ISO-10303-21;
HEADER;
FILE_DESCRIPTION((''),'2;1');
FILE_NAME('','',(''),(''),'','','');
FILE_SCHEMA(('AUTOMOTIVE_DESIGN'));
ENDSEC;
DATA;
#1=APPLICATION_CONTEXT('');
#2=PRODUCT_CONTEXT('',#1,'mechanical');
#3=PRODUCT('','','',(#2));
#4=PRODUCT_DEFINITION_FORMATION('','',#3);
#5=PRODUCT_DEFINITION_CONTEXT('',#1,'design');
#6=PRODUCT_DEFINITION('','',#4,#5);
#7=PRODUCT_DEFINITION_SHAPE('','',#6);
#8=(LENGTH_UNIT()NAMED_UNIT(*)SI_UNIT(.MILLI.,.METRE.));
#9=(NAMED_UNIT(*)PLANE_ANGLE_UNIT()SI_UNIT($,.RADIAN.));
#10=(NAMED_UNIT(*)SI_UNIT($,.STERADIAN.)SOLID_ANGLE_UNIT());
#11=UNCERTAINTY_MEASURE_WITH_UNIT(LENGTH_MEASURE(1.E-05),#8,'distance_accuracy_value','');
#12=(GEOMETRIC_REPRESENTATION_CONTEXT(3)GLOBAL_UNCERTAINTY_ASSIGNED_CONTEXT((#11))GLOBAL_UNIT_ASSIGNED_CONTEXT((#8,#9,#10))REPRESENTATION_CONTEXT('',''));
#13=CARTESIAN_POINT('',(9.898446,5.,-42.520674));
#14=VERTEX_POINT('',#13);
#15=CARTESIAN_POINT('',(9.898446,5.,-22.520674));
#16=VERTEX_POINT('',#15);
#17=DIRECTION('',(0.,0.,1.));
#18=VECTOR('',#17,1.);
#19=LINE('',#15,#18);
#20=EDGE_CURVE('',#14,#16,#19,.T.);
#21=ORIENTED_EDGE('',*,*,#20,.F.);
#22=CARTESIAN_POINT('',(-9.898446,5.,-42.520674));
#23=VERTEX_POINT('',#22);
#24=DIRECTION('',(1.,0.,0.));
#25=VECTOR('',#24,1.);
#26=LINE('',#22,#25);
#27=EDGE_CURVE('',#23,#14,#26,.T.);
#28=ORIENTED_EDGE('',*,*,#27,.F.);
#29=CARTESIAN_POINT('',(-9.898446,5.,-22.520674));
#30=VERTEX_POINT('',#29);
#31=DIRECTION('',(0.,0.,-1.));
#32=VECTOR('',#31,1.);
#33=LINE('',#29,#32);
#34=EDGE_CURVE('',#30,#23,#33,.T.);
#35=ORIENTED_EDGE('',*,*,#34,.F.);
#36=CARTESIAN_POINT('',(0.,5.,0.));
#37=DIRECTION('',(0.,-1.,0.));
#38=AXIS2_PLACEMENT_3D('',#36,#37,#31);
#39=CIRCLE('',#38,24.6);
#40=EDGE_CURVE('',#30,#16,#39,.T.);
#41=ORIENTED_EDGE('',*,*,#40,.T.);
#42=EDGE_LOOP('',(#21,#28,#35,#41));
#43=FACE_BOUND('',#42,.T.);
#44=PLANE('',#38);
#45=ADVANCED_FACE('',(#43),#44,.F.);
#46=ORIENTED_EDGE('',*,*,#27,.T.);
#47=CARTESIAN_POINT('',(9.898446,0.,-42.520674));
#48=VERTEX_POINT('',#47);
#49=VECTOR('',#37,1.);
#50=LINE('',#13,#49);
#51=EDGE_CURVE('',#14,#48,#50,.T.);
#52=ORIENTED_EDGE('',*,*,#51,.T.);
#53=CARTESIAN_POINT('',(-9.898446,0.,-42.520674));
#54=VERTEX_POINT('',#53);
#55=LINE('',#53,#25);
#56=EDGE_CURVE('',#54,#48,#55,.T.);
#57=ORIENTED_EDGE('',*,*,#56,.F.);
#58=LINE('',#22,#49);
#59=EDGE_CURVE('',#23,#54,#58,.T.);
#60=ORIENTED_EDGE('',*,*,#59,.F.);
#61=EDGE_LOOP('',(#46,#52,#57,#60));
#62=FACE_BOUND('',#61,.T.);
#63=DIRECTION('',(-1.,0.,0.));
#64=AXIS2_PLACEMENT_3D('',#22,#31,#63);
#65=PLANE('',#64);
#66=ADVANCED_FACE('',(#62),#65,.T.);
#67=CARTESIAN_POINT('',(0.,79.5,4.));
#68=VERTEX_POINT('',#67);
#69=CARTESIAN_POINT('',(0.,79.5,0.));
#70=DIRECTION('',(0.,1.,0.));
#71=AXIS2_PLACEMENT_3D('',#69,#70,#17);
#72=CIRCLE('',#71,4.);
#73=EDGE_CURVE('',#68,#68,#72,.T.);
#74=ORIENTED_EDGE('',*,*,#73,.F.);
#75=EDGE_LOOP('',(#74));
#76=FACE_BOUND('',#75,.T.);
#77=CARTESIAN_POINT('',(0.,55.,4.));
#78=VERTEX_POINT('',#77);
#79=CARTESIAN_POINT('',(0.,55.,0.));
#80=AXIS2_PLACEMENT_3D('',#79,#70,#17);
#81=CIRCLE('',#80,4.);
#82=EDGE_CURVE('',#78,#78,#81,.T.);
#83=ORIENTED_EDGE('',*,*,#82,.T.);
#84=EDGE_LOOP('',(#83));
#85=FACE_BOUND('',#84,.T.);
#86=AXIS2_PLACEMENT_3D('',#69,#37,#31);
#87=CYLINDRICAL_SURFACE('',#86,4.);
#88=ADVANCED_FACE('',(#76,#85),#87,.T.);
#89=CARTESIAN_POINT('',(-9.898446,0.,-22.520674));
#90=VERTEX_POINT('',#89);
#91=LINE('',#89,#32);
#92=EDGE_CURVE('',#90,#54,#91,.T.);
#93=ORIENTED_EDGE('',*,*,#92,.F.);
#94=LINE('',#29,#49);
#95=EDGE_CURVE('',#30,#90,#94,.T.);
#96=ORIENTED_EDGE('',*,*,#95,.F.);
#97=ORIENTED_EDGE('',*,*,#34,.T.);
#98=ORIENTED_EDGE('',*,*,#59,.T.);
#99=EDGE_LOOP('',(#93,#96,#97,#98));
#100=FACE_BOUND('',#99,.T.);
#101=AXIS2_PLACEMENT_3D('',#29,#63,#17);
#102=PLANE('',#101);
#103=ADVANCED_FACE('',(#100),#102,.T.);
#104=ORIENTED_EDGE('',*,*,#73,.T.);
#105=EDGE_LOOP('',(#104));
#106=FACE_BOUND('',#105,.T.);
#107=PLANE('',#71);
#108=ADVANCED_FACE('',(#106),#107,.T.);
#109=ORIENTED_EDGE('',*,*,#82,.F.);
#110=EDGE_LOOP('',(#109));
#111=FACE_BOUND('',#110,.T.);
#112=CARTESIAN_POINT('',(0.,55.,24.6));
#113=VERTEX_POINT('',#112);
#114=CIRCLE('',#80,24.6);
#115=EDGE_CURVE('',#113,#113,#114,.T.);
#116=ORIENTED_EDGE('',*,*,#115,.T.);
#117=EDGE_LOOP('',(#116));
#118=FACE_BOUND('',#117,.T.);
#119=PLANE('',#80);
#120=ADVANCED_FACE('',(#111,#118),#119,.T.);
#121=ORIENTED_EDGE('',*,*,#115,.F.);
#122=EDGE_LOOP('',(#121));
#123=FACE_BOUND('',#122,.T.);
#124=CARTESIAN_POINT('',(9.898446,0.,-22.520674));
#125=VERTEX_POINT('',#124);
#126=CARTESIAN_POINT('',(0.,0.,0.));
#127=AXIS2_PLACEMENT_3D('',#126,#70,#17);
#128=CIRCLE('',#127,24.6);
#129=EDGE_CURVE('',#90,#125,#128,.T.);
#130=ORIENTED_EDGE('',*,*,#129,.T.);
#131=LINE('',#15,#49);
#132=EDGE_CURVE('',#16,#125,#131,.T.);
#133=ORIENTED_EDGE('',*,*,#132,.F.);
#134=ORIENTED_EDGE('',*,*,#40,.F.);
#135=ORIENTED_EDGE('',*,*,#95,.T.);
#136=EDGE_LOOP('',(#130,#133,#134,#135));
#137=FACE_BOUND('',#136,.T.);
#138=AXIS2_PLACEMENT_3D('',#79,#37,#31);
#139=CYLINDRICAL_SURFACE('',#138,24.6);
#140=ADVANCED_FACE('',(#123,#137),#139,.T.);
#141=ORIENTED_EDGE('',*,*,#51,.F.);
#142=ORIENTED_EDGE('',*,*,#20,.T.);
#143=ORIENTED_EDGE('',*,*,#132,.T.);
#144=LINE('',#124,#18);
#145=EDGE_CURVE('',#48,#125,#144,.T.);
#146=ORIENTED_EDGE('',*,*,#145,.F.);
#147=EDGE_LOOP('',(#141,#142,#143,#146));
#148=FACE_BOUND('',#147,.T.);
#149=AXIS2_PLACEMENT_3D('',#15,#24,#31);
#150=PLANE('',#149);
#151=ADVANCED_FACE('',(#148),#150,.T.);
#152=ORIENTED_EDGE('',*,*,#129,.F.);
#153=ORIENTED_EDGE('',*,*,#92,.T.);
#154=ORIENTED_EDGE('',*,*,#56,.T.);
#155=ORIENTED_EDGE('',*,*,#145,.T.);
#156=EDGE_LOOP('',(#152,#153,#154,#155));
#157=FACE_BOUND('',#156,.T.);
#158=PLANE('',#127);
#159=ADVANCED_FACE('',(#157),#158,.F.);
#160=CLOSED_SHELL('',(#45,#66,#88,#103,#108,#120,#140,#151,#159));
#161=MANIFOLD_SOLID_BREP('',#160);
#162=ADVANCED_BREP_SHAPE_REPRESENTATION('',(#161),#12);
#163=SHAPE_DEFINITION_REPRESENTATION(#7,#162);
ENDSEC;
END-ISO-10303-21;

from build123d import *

# Parameters (mm, degrees)
SKETCH1_R           = 24.6
BOSS_EXTRUDE1_DEPTH = 55
SKETCH2_R           = 4
BOSS_EXTRUDE2_DEPTH = 24.5
SKETCH3_W           = 19.796892184
SKETCH3_H           = 20
BOSS_EXTRUDE3_DEPTH = 5


with BuildPart() as part:
    # Sketch1 → Boss-Extrude1 (new body)
    with BuildSketch(Plane(origin=(0, 0, 0), x_dir=(1, 0, 0), z_dir=(0, 1, 0))):
        with Locations(Location((0, 0, 0), (0, 0, 270))):
            Circle(SKETCH1_R)
    extrude(amount=BOSS_EXTRUDE1_DEPTH)

    # Sketch2 → Boss-Extrude2 (add)
    with BuildSketch(Plane(origin=(0, 55, 0), x_dir=(1, 0, 0), z_dir=(0, 1, 0))):
        with Locations(Location((0, 0, 0), (0, 0, 270))):
            Circle(SKETCH2_R)
    extrude(amount=BOSS_EXTRUDE2_DEPTH)

    # Sketch3 → Boss-Extrude3 (add)
    with BuildSketch(Plane.XZ):
        with Locations((0, -32.520674168)):
            Rectangle(SKETCH3_W, SKETCH3_H)
    extrude(amount=-BOSS_EXTRUDE3_DEPTH)


solid = part.part
